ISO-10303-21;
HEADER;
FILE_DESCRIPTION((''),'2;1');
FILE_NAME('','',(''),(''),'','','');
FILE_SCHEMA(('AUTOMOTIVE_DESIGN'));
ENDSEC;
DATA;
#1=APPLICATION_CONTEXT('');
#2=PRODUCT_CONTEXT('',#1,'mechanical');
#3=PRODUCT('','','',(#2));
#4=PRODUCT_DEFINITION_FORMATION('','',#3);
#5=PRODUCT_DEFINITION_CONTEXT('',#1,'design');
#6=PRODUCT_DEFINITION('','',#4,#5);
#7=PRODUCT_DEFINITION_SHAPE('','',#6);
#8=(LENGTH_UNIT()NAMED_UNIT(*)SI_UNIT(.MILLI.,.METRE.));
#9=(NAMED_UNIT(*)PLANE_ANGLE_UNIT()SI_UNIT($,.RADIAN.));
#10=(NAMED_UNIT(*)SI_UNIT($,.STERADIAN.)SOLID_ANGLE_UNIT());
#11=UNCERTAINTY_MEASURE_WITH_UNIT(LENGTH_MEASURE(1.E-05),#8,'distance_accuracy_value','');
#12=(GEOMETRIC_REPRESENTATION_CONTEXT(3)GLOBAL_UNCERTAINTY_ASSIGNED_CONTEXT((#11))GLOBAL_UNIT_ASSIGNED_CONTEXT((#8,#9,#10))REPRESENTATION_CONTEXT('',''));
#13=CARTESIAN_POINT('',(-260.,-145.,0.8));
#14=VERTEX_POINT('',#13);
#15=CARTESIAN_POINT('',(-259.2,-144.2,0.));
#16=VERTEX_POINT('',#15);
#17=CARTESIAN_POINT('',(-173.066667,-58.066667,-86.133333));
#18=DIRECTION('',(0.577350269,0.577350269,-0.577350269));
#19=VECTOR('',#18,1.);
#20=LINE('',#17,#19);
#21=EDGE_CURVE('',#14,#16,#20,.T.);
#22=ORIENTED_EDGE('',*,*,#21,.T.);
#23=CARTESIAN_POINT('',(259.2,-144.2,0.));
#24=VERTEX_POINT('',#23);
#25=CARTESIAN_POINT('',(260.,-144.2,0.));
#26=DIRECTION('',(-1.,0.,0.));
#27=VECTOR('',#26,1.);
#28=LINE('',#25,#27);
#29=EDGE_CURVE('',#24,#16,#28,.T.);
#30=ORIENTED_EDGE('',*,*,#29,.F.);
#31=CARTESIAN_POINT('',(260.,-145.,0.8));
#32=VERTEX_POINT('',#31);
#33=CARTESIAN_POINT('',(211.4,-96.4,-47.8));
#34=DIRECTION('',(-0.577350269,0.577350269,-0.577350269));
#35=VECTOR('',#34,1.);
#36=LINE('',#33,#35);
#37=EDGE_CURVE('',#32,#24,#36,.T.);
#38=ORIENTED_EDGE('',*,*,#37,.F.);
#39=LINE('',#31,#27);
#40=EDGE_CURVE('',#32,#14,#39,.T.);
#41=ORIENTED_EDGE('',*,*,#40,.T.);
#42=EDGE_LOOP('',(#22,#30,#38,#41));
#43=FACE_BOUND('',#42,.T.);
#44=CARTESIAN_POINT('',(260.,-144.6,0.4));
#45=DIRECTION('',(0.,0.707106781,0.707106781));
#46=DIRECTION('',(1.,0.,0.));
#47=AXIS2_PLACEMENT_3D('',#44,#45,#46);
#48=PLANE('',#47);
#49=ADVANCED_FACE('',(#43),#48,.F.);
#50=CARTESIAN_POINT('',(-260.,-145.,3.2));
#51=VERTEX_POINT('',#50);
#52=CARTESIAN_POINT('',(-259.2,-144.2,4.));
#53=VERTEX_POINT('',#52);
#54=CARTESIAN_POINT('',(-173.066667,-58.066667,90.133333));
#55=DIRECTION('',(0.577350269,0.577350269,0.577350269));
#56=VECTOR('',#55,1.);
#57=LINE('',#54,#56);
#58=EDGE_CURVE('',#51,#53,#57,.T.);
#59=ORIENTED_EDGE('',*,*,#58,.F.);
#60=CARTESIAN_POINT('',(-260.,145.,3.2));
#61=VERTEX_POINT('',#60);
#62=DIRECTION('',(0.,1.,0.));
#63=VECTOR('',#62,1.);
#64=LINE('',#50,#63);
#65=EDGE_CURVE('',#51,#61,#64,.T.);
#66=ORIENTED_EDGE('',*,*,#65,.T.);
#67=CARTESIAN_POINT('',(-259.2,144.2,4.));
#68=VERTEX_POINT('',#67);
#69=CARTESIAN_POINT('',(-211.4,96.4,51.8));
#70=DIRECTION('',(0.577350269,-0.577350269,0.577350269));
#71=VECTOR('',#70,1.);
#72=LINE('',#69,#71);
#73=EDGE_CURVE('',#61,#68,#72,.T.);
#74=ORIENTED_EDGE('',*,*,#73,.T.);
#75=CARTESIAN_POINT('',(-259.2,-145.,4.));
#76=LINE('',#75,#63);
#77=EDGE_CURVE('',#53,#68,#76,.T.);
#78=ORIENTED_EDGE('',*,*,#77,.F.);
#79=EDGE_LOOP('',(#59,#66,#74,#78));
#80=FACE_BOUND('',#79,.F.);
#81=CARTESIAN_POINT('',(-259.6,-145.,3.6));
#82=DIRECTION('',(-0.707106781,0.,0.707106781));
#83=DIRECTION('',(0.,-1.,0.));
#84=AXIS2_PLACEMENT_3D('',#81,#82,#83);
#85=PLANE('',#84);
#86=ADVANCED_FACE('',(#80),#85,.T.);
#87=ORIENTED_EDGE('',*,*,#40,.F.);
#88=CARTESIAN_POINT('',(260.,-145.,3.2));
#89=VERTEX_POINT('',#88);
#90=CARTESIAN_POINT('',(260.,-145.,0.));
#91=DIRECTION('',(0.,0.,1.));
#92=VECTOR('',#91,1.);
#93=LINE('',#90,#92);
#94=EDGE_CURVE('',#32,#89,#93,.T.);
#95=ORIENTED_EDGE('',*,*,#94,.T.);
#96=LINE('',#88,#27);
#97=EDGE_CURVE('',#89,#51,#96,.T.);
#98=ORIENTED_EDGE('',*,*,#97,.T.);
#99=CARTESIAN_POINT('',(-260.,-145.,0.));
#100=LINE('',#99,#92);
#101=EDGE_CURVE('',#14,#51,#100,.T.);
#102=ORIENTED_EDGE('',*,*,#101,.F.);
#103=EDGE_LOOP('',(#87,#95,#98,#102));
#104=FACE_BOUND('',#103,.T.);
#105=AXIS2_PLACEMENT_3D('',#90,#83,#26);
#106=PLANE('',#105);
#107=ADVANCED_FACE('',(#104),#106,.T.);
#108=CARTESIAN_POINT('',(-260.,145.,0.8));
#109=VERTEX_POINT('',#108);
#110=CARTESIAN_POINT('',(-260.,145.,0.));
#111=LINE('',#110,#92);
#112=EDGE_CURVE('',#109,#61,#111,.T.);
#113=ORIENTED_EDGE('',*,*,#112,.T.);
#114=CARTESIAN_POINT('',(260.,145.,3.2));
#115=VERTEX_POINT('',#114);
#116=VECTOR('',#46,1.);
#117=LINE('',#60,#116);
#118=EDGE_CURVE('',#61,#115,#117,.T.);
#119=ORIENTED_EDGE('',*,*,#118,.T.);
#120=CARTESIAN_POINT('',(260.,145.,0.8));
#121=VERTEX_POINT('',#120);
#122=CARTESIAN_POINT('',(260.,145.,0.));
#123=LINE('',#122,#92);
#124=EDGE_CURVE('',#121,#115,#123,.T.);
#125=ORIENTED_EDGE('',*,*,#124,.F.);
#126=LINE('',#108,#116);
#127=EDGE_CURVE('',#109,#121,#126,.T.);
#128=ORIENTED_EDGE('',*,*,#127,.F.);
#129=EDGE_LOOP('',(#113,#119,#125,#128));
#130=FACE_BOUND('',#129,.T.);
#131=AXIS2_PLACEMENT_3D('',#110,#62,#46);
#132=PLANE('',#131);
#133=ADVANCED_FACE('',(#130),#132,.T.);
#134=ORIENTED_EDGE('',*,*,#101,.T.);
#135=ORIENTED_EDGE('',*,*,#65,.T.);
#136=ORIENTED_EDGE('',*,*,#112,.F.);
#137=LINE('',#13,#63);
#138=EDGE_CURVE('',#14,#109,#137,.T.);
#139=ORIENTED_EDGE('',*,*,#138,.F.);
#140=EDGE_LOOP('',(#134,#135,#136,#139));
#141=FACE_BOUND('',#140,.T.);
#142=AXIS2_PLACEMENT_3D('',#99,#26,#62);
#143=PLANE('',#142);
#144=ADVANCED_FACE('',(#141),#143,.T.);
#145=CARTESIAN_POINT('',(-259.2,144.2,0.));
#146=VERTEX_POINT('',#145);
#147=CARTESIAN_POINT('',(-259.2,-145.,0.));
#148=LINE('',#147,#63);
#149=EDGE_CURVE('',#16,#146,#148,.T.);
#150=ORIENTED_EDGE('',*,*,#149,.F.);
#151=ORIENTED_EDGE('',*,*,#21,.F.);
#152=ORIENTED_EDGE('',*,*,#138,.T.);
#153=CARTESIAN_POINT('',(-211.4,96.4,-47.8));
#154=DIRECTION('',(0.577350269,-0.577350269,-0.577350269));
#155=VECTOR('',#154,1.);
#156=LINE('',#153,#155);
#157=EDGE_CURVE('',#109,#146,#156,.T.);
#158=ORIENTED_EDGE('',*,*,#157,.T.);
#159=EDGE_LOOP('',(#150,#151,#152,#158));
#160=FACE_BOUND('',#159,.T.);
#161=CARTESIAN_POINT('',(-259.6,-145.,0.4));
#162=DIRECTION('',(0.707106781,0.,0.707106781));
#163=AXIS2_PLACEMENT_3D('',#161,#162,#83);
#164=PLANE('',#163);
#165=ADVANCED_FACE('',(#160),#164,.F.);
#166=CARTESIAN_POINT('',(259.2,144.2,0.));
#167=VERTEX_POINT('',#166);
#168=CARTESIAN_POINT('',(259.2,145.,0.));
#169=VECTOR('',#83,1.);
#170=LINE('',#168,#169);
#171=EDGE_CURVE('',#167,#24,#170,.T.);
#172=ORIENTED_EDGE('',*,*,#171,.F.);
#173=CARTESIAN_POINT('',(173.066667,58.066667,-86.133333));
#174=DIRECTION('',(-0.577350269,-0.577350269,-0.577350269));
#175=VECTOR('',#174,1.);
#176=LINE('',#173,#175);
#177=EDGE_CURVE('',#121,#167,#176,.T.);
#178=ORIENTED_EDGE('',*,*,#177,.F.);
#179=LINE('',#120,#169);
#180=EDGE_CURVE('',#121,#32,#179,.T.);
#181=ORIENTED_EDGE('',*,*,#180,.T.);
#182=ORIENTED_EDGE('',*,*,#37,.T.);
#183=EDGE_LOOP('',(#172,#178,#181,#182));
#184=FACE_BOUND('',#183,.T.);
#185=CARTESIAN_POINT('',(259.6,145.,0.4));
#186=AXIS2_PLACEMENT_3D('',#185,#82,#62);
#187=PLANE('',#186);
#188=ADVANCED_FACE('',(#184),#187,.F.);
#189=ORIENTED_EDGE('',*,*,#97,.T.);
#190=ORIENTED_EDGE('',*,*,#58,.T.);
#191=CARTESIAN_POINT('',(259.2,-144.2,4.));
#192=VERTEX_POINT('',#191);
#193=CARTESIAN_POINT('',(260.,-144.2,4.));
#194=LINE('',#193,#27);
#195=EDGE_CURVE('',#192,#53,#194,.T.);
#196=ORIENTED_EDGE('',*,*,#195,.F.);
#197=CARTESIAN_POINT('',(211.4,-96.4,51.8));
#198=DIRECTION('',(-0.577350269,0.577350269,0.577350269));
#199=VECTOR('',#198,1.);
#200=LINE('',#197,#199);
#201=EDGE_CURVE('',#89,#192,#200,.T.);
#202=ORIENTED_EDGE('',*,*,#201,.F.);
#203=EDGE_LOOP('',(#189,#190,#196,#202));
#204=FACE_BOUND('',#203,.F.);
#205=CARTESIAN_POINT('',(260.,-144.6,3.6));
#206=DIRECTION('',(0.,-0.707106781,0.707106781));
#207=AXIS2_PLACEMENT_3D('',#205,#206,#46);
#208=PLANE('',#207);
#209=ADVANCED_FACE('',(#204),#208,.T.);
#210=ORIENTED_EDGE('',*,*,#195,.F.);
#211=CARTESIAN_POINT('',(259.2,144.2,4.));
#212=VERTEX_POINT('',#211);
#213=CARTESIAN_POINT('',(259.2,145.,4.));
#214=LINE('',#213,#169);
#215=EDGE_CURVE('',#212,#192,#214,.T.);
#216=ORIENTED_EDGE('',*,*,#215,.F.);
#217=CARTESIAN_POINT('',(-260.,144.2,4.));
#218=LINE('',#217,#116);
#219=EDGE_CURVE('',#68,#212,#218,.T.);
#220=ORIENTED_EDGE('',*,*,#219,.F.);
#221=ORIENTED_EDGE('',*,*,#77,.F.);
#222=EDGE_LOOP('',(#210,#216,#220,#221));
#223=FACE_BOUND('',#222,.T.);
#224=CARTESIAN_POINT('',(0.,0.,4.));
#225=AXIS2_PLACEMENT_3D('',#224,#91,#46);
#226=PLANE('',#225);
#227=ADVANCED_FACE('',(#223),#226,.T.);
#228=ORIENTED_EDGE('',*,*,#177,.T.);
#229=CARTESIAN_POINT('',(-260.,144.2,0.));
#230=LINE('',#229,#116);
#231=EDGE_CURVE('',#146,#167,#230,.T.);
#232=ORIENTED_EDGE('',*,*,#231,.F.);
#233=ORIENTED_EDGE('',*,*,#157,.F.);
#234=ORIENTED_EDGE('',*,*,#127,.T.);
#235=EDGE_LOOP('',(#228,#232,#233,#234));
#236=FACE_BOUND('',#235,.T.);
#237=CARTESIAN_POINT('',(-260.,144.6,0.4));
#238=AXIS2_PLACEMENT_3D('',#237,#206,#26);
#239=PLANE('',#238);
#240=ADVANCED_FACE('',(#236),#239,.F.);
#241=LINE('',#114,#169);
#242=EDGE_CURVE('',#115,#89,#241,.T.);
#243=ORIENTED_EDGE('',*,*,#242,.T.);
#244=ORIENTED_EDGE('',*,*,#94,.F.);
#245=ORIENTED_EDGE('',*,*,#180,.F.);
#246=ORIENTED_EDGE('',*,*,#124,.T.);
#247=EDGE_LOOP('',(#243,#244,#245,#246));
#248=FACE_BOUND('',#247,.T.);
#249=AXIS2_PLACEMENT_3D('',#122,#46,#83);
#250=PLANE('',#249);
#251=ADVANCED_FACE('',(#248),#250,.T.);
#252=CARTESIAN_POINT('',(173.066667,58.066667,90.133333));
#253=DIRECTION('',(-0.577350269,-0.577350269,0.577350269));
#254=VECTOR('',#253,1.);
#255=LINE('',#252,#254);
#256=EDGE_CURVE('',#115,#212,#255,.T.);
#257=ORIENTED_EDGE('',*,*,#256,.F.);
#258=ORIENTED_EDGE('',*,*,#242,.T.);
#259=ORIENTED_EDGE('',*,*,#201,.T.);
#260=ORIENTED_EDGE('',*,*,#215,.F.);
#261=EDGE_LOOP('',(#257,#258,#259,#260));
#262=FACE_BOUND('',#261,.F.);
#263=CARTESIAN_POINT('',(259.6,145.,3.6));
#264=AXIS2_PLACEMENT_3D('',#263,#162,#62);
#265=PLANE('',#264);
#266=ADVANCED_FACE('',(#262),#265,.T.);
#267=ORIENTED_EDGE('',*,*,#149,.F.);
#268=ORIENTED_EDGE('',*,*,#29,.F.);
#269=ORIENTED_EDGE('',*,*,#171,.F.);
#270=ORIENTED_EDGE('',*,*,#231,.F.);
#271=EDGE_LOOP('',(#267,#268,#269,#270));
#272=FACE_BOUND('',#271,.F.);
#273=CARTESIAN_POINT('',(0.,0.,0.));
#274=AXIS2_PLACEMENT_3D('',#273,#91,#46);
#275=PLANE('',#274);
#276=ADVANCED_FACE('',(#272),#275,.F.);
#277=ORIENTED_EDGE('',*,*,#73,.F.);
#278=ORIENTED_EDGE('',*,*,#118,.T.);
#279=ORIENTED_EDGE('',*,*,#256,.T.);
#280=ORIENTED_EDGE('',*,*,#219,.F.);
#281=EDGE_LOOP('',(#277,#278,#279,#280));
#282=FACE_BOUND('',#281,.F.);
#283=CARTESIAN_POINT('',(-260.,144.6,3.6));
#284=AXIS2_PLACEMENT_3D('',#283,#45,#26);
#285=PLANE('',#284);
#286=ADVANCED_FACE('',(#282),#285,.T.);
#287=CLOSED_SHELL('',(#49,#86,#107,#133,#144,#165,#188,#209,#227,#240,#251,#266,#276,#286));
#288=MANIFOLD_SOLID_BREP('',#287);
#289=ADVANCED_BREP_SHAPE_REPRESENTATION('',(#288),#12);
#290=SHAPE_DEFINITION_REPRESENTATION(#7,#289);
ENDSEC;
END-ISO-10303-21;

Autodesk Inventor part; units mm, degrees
ref_plane "YZ Plane" through (0, 0, 0) normal (1, 0, 0) x (0, 1, 0)
ref_plane "XZ Plane" through (0, 0, 0) normal (0, 1, 0) x (-1, 0, 0)
ref_plane "XY Plane" through (0, 0, 0) normal (0, 0, 1) x (1, 0, 0)
sketch "Boceto1" plane through (0, 0, 0) normal (0, 0, 1) x (1, 0, 0)
  line L0 (260, -145) -> (-260, -145)
  line L1 (-260, -145) -> (-260, 145)
  line L2 (-260, 145) -> (260, 145)
  line L3 (260, 145) -> (260, -145)
  line L4 (260, -145) -> (-260, 145) construction
  line L5 (-260, -145) -> (260, 145) construction
  point P0 (0, 0)
  dimension "d0" = 520
  dimension "d1" = 290
extrude "Extrusión1" add sketch "Boceto1" along normal blind 4
chamfer "Chaflán1" distance 0.8 angle 45 8 edges at (0, 145, 4) (0, 145, 0) (-260, 0, 4) (-260, 0, 0) (260, 0, 4) (260, 0, 0) (0, -145, 0) (0, -145, 4)
properties part number "vidrio_ir"
